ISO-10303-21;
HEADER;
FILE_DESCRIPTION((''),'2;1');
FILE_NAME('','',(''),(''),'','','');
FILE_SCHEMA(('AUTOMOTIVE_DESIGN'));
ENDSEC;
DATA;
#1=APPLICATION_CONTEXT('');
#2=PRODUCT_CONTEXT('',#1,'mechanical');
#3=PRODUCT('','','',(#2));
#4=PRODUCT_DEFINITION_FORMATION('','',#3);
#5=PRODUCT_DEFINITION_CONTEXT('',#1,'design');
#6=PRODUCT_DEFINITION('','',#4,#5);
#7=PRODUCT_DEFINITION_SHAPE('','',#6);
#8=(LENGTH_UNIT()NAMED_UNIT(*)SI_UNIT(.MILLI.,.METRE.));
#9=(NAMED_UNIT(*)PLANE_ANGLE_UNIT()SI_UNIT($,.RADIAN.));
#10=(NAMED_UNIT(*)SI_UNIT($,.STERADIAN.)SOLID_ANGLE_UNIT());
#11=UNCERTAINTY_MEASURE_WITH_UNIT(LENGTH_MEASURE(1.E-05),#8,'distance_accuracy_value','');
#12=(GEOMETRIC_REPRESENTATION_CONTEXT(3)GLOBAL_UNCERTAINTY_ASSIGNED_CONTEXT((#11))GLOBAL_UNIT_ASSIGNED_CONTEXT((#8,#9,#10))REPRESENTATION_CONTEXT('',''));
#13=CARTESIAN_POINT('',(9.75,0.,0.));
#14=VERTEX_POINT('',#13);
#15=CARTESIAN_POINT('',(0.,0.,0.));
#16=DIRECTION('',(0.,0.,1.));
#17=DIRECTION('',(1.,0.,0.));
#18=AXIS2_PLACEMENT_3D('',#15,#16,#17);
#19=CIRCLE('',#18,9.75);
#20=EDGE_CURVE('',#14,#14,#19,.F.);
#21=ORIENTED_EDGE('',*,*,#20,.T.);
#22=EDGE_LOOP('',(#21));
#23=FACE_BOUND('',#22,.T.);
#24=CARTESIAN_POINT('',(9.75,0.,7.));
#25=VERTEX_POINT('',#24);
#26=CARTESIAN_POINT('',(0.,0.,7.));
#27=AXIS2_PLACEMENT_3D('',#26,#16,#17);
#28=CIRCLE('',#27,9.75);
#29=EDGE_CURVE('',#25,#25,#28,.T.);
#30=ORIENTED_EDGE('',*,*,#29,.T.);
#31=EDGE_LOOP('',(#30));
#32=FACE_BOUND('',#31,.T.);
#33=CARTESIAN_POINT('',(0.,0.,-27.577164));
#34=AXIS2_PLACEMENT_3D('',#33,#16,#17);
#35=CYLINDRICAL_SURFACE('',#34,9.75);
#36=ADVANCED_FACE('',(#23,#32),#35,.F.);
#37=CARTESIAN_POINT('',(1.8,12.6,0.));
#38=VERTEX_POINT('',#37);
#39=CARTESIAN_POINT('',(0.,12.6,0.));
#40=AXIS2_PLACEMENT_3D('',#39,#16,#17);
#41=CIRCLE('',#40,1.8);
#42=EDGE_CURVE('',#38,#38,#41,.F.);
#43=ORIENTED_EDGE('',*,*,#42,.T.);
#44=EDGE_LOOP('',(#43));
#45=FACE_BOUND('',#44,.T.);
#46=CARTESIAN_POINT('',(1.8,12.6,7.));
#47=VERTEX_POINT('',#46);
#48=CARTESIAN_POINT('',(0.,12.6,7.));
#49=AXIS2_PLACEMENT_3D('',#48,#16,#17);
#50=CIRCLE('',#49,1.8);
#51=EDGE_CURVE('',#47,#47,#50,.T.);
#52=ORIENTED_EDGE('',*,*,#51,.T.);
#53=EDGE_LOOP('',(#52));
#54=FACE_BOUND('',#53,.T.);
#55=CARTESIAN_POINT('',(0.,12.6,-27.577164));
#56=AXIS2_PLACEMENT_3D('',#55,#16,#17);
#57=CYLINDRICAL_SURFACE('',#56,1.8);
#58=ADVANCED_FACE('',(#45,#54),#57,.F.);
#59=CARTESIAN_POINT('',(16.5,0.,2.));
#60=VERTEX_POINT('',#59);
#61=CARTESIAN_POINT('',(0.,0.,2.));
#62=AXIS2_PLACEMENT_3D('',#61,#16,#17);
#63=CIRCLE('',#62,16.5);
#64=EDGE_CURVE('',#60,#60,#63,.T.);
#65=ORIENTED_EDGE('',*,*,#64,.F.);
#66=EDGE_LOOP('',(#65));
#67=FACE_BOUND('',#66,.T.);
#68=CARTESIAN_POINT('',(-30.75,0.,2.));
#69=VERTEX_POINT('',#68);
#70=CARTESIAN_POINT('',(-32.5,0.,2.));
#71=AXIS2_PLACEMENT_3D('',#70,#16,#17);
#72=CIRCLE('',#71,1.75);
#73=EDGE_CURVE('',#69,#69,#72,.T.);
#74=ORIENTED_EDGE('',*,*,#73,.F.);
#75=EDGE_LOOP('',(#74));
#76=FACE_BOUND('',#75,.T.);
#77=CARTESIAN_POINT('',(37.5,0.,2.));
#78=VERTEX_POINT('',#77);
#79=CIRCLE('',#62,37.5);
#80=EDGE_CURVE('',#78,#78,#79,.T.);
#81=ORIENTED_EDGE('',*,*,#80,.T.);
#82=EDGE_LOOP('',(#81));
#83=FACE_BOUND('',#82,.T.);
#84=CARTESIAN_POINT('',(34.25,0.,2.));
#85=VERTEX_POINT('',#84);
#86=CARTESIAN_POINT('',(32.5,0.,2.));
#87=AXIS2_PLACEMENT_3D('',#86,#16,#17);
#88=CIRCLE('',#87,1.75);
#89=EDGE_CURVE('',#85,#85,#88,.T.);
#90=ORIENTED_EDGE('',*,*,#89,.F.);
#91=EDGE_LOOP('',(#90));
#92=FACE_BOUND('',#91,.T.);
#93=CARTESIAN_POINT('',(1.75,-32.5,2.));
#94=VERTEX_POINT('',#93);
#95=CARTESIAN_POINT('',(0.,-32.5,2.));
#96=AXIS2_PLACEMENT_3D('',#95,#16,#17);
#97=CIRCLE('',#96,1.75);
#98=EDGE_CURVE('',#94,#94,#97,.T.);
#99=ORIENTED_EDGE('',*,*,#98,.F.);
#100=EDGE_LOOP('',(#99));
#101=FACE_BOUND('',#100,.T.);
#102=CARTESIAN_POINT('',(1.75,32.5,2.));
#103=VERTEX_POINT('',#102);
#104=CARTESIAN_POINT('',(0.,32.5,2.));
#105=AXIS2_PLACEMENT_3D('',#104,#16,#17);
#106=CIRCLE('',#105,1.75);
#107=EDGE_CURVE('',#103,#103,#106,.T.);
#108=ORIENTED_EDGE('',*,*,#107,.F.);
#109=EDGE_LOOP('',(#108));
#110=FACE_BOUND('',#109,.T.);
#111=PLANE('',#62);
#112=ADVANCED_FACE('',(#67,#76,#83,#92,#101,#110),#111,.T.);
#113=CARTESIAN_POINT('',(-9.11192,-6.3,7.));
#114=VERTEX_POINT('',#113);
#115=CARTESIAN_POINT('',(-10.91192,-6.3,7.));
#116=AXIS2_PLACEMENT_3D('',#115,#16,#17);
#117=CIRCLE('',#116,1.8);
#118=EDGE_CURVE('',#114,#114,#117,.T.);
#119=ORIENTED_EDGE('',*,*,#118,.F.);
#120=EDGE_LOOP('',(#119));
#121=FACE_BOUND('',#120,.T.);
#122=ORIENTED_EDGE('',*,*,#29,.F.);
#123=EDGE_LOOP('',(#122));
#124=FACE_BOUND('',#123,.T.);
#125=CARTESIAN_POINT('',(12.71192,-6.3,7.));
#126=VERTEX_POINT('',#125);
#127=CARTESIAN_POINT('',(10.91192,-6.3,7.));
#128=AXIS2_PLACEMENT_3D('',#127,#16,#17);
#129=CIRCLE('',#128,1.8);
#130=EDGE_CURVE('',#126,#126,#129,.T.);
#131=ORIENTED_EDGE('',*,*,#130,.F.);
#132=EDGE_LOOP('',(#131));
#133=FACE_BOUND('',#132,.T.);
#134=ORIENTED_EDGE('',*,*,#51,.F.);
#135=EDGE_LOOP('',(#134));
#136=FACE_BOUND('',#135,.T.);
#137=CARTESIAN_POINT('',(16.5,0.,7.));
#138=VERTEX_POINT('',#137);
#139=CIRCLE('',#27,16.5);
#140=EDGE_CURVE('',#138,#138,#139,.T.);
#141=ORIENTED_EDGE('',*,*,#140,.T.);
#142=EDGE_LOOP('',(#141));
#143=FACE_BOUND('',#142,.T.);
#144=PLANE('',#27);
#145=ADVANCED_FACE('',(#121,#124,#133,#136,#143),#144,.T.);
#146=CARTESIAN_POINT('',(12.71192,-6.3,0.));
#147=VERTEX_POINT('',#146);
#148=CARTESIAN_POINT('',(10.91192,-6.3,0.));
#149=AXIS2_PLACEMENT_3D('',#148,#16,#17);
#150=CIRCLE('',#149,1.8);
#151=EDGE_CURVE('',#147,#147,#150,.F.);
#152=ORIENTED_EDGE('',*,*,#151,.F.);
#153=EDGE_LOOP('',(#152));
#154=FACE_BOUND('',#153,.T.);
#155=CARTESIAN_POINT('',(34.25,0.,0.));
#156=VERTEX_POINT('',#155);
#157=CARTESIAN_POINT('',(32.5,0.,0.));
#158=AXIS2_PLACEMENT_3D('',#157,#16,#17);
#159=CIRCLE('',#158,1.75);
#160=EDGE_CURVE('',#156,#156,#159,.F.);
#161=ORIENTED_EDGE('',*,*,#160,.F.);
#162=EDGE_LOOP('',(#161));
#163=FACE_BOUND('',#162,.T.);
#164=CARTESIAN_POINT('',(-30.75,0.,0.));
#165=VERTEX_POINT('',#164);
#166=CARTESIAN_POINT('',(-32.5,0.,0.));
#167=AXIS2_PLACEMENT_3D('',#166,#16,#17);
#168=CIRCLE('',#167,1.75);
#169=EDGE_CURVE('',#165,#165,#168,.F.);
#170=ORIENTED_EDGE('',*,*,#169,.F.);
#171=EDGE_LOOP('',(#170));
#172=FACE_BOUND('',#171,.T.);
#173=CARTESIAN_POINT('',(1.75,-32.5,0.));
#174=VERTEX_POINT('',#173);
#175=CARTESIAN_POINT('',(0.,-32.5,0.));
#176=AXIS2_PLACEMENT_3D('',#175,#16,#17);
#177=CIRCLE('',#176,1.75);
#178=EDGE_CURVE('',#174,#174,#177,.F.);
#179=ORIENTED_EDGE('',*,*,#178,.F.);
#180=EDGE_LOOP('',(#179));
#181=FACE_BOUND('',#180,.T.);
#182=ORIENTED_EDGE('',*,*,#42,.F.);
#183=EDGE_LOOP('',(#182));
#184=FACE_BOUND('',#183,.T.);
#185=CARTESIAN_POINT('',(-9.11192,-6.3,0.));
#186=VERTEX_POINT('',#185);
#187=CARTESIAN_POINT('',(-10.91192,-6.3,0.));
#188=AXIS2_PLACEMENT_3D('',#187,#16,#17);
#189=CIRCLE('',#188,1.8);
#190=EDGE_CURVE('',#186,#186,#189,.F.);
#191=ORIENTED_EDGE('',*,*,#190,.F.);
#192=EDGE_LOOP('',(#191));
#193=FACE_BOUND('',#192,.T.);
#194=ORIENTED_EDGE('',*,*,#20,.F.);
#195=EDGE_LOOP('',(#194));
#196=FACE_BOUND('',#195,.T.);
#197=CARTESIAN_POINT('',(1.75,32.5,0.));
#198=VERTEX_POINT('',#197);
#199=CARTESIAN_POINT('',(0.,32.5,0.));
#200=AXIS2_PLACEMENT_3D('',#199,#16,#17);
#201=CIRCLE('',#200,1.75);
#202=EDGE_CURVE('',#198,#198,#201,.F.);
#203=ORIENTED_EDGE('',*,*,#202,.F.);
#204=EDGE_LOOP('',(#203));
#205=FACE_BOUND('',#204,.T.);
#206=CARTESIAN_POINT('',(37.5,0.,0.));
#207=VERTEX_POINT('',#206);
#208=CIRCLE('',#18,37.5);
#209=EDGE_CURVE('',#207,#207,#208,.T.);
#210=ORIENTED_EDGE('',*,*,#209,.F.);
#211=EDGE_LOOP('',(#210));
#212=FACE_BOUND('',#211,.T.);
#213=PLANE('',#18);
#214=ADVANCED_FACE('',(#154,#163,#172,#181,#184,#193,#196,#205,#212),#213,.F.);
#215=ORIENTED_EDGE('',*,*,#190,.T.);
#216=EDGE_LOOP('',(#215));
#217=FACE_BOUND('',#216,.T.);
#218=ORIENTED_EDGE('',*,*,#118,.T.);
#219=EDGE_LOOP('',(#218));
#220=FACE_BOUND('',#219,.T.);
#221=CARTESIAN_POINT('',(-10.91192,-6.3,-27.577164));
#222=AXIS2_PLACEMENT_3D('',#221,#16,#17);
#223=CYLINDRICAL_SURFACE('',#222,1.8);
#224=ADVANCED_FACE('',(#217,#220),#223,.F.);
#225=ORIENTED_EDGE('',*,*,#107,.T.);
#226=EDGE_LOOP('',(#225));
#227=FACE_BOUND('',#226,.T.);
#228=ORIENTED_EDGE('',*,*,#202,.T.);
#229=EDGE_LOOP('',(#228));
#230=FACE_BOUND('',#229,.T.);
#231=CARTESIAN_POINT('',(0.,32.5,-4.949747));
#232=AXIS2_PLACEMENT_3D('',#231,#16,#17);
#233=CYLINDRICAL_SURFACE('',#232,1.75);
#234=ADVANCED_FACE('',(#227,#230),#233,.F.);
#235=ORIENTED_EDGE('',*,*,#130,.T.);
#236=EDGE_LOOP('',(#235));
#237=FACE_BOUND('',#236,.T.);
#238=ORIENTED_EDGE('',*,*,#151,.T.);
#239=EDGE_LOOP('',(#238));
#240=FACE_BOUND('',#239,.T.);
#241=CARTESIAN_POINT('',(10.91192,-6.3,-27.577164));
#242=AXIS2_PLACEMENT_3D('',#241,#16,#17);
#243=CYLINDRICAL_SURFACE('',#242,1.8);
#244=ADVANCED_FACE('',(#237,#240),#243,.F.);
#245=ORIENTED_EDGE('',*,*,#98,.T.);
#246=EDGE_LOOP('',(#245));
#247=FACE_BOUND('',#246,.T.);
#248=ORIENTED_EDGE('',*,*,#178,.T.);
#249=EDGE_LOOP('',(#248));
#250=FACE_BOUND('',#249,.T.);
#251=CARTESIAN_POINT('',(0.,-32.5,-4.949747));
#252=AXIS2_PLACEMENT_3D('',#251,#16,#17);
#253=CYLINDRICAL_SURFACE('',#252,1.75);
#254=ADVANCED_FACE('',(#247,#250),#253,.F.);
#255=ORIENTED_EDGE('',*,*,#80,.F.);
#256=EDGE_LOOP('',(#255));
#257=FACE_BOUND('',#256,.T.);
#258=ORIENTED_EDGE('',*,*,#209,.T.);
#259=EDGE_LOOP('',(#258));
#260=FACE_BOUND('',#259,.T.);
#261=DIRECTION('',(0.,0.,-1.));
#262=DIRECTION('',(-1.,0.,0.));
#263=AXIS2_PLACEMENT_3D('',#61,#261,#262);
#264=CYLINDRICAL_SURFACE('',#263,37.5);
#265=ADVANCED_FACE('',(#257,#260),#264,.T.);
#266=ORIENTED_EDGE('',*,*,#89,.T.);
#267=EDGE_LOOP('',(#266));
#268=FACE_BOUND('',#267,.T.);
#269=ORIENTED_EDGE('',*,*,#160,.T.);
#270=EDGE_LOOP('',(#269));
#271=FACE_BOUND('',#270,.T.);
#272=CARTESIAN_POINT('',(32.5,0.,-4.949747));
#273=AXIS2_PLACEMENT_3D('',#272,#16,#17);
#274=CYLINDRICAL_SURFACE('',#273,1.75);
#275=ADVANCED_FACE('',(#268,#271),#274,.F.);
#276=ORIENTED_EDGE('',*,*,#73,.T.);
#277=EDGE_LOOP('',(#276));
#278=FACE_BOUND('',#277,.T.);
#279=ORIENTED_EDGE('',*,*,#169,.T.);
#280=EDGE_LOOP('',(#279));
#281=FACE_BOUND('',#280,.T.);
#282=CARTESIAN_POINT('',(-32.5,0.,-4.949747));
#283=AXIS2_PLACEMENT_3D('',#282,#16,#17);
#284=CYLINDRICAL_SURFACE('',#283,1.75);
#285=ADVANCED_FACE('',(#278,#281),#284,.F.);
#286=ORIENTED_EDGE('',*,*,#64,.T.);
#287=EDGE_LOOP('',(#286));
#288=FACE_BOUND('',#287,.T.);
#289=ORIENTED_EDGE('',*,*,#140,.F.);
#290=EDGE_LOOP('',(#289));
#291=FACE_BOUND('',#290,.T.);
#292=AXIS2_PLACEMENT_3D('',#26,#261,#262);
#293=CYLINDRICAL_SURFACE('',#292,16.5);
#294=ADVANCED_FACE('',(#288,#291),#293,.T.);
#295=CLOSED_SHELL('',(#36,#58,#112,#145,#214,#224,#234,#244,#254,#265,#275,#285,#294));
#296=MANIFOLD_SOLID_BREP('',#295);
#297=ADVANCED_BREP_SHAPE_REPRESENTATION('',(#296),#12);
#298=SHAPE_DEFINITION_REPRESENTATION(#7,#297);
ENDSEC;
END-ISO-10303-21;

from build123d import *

# Parameters (mm, degrees)
SKETCH_1_R          = 37.5
EXTRUDE_1_DEPTH     = 2
SKETCH_2_R          = 1.75
CUT_EXTRUDE_1_DEPTH = 2
SKETCH_3_R          = 16.5
EXTRUDE_2_DEPTH     = 5
SKETCH_4_R          = 9.75
SKETCH_4_R_2        = 1.8
CUT_EXTRUDE_2_DEPTH = 7


with BuildPart() as part:
    # Эскиз1 → Бобышка-Вытянуть1 (new body)
    with BuildSketch(Plane.XY):
        Circle(SKETCH_1_R)
    extrude(amount=EXTRUDE_1_DEPTH)

    # Эскиз2 → Вырез-Вытянуть1 (cut)
    with BuildSketch(Plane.XY.offset(2)):
        with Locations((0, 32.5)):
            Circle(SKETCH_2_R)
        with Locations((32.5, 0)):
            Circle(SKETCH_2_R)
        with Locations((0, -32.5)):
            Circle(SKETCH_2_R)
        with Locations((-32.5, 0)):
            Circle(SKETCH_2_R)
    extrude(amount=-CUT_EXTRUDE_1_DEPTH, mode=Mode.SUBTRACT)

    # Эскиз3 → Бобышка-Вытянуть2 (add)
    with BuildSketch(Plane.XY.offset(2)):
        Circle(SKETCH_3_R)
    extrude(amount=EXTRUDE_2_DEPTH)

    # Эскиз4 → Вырез-Вытянуть2 (cut)
    with BuildSketch(Plane.XY.offset(7)):
        Circle(SKETCH_4_R)
        with Locations((0, 12.6)):
            Circle(SKETCH_4_R_2)
        with Locations((10.911920088, -6.3)):
            Circle(SKETCH_4_R_2)
        with Locations((-10.911920088, -6.3)):
            Circle(SKETCH_4_R_2)
    extrude(amount=-CUT_EXTRUDE_2_DEPTH, mode=Mode.SUBTRACT)


solid = part.part
